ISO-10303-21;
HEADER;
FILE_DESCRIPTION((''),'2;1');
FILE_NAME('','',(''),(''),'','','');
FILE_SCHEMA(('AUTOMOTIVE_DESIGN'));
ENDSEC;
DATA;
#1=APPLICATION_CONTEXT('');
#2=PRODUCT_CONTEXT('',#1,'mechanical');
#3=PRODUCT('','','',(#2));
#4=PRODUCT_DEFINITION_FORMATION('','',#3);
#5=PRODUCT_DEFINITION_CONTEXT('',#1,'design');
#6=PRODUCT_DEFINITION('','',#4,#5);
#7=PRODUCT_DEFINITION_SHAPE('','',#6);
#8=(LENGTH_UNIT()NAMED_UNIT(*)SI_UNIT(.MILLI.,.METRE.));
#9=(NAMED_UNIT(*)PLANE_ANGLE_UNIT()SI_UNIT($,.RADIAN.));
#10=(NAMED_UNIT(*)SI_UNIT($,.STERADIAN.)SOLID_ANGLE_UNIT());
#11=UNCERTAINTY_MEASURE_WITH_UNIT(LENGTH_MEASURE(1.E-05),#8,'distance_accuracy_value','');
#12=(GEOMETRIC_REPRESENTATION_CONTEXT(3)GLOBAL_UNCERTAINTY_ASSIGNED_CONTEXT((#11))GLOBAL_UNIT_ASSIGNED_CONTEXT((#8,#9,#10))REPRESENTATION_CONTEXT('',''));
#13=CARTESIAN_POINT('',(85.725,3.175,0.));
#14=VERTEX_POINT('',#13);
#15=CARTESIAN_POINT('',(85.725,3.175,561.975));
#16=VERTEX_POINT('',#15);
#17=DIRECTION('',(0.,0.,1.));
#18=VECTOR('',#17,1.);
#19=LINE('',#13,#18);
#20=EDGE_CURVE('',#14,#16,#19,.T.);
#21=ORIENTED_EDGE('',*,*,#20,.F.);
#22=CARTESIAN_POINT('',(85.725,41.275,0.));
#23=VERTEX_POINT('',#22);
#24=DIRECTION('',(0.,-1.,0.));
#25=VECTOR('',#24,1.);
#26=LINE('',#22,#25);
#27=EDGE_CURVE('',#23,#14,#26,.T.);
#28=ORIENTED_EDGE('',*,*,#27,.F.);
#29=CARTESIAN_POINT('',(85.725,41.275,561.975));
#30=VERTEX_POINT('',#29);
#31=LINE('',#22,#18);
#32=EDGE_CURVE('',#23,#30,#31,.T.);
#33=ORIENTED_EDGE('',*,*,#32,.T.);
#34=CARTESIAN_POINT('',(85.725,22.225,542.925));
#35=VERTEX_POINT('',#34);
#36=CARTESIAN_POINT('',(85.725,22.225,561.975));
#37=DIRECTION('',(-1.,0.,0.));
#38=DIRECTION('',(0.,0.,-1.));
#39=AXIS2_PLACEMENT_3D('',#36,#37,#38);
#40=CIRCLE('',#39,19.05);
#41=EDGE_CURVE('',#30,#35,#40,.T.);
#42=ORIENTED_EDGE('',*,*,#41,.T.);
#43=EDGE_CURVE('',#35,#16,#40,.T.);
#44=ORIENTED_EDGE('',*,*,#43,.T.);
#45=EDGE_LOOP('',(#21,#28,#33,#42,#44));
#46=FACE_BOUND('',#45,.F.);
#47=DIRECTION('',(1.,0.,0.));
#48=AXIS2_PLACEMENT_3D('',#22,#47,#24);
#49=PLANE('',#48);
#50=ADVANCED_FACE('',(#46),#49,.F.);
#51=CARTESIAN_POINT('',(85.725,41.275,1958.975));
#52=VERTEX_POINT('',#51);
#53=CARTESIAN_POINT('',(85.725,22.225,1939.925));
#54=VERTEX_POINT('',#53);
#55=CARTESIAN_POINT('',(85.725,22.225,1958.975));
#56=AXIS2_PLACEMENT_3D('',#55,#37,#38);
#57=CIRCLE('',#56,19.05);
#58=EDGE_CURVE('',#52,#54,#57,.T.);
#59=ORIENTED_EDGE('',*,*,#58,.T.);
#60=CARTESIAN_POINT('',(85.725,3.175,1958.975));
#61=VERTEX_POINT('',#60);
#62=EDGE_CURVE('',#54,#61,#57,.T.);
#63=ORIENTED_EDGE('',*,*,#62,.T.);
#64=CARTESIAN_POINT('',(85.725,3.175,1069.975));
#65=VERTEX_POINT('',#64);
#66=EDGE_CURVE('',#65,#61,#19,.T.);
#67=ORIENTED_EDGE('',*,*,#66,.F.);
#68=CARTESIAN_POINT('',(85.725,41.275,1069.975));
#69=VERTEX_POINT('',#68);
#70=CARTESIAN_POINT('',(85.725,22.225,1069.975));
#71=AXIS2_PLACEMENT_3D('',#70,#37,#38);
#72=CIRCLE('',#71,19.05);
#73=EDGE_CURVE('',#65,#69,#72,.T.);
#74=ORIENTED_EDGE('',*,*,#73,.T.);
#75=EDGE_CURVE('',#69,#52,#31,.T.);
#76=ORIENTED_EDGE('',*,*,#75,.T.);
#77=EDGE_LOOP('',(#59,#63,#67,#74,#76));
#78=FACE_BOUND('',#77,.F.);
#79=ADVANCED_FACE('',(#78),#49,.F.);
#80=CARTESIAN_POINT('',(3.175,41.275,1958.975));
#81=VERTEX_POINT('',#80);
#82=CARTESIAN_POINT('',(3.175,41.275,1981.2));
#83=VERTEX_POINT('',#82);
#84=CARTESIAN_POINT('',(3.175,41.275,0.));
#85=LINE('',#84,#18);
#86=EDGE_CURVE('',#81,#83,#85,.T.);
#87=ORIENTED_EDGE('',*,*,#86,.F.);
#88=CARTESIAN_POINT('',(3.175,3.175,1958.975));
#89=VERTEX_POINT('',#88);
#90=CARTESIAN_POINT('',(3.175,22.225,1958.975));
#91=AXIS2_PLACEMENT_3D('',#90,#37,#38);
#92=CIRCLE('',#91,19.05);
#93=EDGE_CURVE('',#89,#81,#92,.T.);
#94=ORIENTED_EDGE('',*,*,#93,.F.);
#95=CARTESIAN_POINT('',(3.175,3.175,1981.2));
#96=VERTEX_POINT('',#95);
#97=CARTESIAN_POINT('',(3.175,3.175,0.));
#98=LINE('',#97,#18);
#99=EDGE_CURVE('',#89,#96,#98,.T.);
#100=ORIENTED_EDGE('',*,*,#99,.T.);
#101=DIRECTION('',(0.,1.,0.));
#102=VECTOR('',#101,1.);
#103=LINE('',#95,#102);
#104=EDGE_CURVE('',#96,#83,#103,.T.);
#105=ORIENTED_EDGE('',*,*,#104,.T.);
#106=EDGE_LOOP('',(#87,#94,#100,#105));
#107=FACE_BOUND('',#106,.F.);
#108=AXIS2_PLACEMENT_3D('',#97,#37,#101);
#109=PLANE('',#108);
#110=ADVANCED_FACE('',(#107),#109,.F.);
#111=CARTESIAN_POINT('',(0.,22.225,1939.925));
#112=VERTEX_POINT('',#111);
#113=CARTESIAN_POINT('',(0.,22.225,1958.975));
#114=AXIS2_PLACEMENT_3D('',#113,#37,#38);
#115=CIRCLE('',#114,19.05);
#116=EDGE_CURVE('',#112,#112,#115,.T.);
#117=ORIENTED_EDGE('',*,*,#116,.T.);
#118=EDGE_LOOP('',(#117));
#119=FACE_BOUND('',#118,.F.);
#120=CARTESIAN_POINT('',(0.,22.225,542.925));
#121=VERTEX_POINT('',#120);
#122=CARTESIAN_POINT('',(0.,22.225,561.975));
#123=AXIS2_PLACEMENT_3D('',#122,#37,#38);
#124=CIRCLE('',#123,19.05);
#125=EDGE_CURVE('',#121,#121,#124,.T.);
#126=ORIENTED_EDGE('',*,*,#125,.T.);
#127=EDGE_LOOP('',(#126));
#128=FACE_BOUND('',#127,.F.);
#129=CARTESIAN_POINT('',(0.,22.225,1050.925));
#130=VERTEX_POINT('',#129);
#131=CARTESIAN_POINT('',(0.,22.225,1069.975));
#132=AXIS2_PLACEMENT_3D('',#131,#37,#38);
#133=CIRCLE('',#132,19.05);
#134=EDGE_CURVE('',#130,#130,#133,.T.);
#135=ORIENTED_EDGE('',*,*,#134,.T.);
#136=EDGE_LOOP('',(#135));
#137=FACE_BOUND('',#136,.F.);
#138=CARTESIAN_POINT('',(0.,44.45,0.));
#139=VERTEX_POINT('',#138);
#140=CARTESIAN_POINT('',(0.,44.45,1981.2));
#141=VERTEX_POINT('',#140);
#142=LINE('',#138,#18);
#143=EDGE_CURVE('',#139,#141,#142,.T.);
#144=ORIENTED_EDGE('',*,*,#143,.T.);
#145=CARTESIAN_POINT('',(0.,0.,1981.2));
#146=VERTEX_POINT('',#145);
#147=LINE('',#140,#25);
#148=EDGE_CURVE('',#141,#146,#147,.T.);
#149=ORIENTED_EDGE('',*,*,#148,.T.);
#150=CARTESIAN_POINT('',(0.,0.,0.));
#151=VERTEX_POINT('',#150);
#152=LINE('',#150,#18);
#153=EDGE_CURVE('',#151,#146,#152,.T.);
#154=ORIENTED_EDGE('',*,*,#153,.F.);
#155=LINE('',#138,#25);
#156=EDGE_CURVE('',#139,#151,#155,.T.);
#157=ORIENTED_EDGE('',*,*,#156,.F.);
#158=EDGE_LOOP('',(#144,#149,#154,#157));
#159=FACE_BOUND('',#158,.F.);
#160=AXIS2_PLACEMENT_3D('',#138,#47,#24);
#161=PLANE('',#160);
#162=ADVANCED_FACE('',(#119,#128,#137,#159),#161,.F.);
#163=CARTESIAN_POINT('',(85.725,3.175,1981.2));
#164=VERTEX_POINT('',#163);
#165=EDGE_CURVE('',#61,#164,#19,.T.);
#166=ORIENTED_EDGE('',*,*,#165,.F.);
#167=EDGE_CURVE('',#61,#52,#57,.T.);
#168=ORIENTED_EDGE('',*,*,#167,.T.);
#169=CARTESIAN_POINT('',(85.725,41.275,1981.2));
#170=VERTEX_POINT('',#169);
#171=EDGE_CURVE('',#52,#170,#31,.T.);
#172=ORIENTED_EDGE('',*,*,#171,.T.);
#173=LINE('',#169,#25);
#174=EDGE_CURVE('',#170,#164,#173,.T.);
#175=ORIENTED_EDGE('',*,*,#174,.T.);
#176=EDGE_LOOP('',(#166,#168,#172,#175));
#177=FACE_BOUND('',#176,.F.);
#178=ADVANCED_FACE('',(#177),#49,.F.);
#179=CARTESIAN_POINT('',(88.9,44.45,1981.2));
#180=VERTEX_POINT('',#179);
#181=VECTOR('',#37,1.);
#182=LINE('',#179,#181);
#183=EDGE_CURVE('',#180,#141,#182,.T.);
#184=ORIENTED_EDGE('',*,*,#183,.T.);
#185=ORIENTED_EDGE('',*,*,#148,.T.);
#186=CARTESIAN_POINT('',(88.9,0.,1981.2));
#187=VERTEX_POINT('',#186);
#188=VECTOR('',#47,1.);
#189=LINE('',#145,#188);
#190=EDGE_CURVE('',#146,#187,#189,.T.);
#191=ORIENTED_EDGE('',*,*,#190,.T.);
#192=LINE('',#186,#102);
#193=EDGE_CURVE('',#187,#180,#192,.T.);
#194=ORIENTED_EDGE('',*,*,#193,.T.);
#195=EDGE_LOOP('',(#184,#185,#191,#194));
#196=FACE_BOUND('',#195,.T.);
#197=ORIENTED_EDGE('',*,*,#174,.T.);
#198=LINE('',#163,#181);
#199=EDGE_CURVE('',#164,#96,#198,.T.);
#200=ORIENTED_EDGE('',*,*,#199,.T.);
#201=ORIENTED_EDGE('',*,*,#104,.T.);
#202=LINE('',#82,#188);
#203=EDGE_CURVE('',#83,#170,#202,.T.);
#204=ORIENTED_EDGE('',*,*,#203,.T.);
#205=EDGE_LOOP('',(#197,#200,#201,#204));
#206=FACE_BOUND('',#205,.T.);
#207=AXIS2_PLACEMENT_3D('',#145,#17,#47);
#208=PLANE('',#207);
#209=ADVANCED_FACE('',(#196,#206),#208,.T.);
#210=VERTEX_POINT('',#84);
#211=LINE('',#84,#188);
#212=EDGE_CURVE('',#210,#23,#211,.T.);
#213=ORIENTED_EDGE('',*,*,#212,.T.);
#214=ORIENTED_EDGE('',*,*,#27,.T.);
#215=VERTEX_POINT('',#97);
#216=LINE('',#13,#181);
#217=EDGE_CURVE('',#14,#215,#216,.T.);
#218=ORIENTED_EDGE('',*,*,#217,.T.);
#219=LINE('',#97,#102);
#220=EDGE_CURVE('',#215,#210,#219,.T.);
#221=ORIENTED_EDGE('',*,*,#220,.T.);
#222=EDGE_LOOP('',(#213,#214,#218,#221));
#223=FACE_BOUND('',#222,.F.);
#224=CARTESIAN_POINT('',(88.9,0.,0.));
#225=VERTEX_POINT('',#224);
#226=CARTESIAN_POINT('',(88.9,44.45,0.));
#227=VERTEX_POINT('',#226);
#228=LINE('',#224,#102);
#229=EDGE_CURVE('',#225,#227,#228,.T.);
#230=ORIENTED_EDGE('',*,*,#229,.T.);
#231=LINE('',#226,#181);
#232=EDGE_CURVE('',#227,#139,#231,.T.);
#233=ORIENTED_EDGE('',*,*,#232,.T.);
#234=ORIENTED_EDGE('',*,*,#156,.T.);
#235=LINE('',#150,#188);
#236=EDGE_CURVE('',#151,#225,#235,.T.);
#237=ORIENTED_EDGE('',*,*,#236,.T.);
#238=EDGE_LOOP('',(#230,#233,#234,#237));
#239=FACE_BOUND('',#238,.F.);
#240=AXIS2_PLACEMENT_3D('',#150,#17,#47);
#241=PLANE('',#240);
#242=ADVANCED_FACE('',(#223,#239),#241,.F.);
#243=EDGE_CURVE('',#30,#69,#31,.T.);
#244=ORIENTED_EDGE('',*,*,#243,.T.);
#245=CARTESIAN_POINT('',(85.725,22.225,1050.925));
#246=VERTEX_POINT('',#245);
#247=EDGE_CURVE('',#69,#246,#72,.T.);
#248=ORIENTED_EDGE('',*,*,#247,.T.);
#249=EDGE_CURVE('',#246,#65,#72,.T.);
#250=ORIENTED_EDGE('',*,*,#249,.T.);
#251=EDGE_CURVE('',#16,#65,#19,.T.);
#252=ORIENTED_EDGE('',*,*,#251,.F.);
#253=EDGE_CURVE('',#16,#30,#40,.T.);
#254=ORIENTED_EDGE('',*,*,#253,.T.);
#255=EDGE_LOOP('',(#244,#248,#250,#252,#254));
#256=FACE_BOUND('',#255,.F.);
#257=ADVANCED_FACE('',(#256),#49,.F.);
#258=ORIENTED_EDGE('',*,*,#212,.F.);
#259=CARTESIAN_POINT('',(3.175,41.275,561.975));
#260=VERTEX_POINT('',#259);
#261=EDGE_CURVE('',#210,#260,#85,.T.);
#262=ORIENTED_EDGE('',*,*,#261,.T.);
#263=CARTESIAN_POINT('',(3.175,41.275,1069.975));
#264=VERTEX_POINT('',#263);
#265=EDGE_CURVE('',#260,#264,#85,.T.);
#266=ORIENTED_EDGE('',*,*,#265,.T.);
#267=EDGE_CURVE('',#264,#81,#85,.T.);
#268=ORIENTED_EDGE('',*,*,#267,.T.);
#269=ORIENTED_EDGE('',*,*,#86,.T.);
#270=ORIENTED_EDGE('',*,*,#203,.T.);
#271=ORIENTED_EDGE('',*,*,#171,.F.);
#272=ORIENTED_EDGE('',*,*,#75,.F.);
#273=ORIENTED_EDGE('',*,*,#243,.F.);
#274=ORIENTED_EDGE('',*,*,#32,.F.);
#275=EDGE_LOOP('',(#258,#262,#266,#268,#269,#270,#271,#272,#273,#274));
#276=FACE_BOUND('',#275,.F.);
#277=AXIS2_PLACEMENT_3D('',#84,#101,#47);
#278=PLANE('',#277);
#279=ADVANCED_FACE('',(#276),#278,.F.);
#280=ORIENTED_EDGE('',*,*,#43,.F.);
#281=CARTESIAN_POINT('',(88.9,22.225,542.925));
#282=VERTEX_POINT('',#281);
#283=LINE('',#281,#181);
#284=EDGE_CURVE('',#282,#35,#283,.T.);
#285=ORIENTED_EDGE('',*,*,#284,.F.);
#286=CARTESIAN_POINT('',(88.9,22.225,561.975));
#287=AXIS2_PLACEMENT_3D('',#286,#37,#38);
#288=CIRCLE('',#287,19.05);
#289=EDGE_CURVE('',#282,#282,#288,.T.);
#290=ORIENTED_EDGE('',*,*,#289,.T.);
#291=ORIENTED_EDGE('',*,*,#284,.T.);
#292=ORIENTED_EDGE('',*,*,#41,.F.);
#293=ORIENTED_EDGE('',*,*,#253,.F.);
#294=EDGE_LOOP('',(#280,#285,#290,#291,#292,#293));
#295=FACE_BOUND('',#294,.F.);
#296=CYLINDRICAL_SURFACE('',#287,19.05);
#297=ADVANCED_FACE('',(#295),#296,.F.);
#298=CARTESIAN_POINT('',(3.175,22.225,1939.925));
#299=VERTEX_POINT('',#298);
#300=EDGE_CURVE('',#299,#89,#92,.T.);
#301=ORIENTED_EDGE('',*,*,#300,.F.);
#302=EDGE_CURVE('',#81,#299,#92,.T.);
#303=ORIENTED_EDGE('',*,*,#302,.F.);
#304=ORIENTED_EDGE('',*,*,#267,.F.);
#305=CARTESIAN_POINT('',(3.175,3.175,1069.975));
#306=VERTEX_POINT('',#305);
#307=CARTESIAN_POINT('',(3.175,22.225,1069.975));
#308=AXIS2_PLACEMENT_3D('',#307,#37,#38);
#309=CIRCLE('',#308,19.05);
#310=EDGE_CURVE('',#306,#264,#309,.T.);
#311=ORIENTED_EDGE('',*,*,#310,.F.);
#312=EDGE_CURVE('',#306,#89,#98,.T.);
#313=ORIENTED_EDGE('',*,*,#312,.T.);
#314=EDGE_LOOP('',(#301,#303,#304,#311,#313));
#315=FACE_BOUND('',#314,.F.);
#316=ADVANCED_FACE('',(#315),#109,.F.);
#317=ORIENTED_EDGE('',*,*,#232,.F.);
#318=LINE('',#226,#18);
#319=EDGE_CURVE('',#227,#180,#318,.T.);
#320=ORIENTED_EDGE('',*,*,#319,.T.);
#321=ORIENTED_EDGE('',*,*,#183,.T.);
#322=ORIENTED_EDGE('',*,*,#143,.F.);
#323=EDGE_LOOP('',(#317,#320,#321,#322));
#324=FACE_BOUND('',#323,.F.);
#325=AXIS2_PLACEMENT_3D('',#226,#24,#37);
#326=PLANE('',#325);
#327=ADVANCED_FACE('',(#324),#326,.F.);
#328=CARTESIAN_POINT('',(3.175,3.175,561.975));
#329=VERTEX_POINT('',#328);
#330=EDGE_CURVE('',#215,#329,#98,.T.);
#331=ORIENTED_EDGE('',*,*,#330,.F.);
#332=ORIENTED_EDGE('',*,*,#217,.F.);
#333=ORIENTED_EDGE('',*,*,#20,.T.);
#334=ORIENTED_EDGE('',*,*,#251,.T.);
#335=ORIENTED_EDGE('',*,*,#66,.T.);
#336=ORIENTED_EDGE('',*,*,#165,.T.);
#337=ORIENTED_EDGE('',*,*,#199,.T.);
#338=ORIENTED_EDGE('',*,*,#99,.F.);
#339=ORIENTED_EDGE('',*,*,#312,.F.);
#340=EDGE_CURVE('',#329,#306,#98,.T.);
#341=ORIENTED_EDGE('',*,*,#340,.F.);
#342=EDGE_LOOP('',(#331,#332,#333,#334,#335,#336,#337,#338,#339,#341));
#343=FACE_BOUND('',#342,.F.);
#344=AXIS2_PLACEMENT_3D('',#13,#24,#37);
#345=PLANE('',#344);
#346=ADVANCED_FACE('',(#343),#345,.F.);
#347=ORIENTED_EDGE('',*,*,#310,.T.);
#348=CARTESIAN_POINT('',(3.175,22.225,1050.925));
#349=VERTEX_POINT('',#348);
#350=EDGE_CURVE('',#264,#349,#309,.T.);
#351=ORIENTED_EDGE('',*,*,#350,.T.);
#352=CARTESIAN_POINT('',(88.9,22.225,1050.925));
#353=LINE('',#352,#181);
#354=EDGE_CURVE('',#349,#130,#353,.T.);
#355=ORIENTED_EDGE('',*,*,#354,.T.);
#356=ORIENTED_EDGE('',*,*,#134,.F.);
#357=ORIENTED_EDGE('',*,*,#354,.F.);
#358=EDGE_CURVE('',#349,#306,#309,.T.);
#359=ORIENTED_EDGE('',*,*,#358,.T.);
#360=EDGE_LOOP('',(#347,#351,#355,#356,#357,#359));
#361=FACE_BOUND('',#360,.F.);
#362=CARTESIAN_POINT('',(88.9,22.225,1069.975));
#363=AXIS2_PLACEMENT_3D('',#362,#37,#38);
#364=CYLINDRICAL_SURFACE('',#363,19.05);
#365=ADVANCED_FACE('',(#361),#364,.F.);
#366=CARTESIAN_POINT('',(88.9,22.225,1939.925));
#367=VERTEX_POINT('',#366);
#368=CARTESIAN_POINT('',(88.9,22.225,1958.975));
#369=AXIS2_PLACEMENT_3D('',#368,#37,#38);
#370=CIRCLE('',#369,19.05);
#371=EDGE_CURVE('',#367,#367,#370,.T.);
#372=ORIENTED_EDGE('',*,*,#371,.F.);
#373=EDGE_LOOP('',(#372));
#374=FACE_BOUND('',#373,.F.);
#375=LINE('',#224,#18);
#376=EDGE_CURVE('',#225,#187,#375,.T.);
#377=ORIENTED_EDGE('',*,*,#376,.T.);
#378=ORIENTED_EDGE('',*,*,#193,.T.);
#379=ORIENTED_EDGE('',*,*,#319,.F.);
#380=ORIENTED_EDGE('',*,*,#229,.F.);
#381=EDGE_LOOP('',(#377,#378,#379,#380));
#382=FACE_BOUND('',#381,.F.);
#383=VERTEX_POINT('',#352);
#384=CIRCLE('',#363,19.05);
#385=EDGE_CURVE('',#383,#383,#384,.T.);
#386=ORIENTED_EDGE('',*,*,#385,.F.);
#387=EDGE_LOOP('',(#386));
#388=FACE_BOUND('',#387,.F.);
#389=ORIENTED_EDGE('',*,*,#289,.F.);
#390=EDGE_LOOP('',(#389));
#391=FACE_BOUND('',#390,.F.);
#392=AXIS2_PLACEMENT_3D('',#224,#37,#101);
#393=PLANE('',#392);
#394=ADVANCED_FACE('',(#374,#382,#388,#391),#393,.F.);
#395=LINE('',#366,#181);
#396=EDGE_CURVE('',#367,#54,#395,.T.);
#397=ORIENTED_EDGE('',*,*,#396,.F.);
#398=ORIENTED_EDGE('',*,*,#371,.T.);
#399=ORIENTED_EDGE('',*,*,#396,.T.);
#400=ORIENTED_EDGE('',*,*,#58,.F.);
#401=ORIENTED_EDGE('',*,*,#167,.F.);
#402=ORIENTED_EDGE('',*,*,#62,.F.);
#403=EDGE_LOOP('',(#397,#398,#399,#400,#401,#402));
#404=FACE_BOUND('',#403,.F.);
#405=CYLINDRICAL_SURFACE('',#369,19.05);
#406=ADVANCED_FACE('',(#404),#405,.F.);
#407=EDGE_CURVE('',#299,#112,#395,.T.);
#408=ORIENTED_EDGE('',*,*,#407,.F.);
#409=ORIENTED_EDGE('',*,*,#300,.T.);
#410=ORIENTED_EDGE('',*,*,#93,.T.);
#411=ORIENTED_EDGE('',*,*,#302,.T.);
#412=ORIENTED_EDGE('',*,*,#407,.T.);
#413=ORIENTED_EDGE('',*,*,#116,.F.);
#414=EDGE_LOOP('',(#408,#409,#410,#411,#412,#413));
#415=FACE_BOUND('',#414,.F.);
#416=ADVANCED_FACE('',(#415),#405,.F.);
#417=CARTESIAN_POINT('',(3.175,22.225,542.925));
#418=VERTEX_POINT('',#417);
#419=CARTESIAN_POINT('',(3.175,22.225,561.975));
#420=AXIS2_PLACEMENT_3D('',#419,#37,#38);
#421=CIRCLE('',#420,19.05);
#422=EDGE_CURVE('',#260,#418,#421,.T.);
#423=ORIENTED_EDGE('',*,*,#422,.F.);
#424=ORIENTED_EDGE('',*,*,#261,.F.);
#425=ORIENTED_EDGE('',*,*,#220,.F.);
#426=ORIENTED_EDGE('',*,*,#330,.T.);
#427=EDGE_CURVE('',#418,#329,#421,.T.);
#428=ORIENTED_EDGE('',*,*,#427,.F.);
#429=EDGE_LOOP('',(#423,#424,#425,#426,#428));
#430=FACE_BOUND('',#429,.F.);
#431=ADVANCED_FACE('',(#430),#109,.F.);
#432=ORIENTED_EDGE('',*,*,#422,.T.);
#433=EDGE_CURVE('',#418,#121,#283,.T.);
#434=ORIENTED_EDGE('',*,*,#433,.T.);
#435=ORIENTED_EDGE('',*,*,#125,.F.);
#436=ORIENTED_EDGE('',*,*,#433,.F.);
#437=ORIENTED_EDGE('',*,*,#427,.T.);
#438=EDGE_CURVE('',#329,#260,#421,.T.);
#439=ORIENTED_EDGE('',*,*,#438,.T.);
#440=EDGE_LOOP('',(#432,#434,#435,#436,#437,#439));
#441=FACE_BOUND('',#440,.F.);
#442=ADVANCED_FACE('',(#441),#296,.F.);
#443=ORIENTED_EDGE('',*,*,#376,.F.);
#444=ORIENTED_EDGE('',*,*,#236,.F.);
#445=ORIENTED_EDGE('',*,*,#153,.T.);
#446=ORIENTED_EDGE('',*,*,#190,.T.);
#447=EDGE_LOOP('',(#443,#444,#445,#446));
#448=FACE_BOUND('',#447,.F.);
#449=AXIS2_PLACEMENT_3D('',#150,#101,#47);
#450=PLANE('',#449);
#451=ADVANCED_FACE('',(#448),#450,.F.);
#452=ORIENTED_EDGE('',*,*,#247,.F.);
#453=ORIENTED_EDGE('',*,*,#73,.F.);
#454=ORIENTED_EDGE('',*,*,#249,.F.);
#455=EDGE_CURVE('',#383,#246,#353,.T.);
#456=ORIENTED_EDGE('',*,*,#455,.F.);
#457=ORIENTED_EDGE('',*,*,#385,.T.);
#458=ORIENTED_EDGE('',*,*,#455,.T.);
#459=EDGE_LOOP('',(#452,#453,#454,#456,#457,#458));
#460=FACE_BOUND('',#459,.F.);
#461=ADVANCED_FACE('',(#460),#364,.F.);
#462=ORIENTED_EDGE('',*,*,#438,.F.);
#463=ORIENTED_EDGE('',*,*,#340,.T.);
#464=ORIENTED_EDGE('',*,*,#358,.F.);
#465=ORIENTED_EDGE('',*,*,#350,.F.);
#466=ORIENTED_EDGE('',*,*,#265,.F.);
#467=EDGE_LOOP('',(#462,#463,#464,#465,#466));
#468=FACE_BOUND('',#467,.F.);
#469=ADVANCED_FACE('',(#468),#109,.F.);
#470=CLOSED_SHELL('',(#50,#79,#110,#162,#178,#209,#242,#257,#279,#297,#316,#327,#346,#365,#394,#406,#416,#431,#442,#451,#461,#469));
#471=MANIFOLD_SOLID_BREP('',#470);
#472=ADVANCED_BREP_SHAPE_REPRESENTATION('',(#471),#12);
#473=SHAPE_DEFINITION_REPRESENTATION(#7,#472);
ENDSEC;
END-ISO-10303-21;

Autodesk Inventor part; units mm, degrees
ref_plane "YZ Plane" through (0, 0, 0) normal (1, 0, 0) x (0, 1, 0)
ref_plane "XZ Plane" through (0, 0, 0) normal (0, 1, 0) x (-1, 0, 0)
ref_plane "XY Plane" through (0, 0, 0) normal (0, 0, 1) x (1, 0, 0)
sketch "Sketch1" plane through (0, 0, 0) normal (0, 0, 1) x (1, 0, 0)
  line L0 (0, 0) -> (88.9, 0)
  line L1 (88.9, 0) -> (88.9, 44.45)
  line L2 (88.9, 44.45) -> (0, 44.45)
  line L3 (0, 44.45) -> (0, 0)
  line L4 (3.175, 41.275) -> (85.725, 41.275)
  line L5 (85.725, 41.275) -> (85.725, 3.175)
  line L6 (85.725, 3.175) -> (3.175, 3.175)
  line L7 (3.175, 3.175) -> (3.175, 41.275)
  dimension "d0" = 3.175
  dimension "d1" = 88.9
  dimension "d2" = 44.45
extrude "Extrusion1" add sketch "Sketch1" along normal blind 1981.2
hole "Hole1" at (88.9, 22.225, 1958.975) direction (-1, 0, 0) diameter 38.1 end through all
pattern_linear "Rectangular Pattern1" count 2 spacing 889 along (0, 0, -1) of "Hole1"
hole "Hole2" at (88.9, 22.225, 561.975) direction (-1, 0, 0) diameter 38.1 end through all
properties part number "GE-12026-01"
